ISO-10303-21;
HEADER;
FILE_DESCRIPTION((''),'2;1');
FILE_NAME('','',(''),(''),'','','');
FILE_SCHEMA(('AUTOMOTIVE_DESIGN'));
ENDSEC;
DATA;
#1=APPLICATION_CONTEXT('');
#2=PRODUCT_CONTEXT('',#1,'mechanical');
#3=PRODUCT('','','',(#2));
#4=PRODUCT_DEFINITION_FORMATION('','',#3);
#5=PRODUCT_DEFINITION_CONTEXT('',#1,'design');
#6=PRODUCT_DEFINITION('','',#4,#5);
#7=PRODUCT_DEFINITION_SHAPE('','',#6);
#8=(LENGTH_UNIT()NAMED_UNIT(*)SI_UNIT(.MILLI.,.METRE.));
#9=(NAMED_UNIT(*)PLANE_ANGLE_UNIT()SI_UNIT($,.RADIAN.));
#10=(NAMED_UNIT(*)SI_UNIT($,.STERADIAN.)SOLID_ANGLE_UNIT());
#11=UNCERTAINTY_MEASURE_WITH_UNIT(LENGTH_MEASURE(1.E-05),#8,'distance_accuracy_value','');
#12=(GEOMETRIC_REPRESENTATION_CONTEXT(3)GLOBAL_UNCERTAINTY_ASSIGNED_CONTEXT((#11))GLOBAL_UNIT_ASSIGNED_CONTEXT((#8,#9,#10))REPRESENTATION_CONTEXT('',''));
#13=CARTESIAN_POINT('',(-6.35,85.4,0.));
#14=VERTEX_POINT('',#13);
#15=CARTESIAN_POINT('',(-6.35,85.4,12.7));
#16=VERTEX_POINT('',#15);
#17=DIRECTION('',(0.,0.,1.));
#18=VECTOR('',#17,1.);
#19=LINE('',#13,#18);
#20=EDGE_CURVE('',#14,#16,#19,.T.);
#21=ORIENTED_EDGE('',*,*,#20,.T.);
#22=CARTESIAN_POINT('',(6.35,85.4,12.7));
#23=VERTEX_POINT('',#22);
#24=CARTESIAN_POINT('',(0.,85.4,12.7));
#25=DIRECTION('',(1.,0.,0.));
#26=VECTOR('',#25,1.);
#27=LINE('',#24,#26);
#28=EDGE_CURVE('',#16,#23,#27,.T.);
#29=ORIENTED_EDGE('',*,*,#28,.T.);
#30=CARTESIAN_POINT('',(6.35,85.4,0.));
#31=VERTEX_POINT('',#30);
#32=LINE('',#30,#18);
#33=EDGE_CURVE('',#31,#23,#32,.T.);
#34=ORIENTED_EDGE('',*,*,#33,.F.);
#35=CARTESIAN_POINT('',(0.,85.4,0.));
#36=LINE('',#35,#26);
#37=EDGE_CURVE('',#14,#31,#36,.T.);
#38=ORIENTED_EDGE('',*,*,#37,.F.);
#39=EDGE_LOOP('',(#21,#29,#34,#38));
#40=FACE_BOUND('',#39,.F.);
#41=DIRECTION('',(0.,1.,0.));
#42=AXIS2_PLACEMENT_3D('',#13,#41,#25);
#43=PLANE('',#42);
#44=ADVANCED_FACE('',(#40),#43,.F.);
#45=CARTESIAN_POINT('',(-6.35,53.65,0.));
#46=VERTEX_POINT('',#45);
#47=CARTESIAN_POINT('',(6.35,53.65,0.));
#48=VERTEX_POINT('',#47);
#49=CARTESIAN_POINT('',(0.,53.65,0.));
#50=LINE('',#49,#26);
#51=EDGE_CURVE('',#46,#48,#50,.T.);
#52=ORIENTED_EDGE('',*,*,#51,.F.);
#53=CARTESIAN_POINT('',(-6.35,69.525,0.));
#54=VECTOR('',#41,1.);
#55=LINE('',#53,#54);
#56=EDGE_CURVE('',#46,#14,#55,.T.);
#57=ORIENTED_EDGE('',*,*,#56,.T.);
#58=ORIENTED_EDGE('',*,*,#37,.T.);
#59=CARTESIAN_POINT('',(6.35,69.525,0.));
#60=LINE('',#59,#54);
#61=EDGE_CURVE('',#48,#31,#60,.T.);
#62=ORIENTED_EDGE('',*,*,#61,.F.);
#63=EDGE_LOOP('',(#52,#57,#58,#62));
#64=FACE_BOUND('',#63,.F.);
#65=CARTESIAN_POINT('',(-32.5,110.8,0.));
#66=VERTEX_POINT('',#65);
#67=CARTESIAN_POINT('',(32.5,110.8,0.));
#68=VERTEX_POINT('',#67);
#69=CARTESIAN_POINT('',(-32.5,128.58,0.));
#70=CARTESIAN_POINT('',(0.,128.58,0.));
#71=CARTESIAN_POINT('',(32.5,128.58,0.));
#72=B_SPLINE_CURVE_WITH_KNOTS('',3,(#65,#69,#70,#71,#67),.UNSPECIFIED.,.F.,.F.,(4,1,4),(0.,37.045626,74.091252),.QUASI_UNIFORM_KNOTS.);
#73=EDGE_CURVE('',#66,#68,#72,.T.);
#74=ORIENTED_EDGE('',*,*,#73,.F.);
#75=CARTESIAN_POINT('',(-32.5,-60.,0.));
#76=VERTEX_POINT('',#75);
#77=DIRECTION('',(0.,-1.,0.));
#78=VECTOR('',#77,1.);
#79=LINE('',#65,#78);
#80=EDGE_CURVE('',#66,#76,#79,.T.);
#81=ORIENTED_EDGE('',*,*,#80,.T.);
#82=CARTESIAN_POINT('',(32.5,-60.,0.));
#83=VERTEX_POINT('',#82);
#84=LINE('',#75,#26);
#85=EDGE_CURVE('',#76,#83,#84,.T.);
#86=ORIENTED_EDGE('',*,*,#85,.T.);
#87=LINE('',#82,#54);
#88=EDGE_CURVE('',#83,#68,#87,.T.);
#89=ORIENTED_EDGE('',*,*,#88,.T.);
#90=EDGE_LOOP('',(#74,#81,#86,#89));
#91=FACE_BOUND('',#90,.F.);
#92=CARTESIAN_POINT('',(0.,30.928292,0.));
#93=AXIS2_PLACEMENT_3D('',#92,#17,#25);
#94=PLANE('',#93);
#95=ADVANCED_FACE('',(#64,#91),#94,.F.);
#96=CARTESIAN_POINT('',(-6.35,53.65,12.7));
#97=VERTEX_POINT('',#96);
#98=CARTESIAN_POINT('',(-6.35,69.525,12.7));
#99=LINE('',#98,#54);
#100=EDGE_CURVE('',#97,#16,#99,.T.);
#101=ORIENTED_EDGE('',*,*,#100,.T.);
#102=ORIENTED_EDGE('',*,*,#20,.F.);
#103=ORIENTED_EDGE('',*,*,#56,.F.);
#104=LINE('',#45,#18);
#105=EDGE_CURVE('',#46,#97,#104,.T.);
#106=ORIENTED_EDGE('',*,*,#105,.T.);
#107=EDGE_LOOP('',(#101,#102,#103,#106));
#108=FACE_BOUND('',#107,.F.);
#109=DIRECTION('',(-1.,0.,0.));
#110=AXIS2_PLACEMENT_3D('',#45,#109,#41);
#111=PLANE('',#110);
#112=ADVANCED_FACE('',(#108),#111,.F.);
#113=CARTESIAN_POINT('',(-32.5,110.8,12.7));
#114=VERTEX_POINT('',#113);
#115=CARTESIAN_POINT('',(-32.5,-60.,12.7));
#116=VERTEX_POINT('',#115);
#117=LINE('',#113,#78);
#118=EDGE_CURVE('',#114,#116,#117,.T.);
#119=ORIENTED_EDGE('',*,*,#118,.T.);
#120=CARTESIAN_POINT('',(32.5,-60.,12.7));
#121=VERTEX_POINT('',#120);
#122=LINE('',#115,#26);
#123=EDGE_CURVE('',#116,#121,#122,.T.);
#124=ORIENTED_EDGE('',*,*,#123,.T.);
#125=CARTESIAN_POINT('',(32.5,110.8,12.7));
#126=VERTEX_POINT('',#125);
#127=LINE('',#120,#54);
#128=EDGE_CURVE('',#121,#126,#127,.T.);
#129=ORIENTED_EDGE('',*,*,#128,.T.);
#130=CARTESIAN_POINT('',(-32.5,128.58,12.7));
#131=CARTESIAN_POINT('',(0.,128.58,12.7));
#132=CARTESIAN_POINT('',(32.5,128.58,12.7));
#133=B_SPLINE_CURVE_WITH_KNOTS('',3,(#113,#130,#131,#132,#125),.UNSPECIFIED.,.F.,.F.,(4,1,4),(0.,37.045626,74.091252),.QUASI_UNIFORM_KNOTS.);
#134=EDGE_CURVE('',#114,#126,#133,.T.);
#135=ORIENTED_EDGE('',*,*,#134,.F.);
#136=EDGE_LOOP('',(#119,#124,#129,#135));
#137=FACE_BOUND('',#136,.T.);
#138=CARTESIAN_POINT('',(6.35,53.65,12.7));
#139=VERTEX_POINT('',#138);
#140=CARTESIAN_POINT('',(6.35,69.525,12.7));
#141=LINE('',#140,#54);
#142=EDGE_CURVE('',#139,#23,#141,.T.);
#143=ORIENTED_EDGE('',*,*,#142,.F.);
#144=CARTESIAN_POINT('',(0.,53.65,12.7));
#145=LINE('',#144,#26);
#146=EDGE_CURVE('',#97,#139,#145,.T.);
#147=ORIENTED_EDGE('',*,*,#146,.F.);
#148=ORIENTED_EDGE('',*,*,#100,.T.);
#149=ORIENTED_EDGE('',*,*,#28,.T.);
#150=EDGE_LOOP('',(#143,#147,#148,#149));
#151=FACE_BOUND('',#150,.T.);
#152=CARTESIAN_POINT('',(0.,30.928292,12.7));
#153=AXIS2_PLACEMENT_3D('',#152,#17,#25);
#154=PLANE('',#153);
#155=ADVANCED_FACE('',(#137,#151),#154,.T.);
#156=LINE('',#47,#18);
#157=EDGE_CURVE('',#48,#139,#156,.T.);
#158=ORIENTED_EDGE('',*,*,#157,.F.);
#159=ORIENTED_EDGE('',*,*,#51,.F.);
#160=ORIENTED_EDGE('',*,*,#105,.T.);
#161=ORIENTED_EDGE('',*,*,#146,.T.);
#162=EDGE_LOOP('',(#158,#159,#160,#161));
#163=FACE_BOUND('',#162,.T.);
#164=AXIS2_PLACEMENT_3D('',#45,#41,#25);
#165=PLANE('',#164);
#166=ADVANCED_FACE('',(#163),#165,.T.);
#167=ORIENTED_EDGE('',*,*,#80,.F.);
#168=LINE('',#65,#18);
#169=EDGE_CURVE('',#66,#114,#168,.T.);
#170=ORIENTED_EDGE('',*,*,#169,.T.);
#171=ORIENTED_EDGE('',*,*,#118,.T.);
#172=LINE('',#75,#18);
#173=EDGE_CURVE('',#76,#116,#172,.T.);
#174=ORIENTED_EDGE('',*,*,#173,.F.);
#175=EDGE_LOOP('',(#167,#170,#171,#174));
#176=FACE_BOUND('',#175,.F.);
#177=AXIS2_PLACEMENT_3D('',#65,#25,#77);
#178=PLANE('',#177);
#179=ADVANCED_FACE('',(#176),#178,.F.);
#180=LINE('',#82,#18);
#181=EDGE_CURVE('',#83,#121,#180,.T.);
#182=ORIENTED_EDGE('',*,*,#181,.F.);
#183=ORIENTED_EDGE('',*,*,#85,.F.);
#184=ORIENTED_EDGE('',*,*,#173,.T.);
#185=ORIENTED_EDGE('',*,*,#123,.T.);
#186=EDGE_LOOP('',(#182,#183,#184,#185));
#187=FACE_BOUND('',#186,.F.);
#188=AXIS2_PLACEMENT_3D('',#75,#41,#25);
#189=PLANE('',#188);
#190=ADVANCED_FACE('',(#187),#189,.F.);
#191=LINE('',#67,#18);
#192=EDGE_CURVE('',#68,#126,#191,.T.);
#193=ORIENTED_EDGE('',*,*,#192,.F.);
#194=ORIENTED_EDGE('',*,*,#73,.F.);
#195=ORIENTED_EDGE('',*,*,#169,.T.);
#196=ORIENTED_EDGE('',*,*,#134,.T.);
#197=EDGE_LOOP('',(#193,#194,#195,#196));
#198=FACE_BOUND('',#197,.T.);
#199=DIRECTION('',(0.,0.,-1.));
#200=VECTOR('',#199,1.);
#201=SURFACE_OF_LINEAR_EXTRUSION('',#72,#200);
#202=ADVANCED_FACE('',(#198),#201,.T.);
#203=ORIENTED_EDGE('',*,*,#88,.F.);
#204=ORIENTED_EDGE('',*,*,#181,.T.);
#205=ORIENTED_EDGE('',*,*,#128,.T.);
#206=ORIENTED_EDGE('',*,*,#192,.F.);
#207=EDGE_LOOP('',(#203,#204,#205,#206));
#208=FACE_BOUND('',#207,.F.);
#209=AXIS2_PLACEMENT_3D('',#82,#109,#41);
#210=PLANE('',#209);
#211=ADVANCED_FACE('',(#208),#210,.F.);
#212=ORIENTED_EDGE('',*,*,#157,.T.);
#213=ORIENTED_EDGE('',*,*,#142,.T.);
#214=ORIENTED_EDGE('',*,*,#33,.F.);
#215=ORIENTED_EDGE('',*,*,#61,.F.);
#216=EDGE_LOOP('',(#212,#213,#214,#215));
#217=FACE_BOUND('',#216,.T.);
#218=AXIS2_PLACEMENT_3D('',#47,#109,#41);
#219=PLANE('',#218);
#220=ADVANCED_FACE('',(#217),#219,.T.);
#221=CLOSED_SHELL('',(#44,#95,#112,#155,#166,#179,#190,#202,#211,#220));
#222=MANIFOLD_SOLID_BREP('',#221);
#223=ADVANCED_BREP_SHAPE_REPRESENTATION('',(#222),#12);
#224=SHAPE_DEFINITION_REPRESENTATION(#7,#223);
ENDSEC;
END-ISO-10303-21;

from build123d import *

# Parameters (mm, degrees)
F0_W     = 12.7
F0_H     = 31.75
F1_DEPTH = 12.7


with BuildPart() as f1:
    # F0 (on Top) → F1 (new body)
    with BuildSketch(Plane.XY):
        with BuildLine():
            Line((-32.5, 60), (-32.5, -60))
            Line((-32.5, -60), (32.5, -60))
            Line((32.5, -60), (32.5, 60))
            Line((32.5, 60), (32.5, 110.8))
            add(Edge.make_bspline(
                [(-32.5, 110.8), (-32.5, 128.58), (0, 128.58), (32.5, 128.58), (32.5, 110.8)],
                knots=[0, 0, 0, 0, 37.045626, 74.091252, 74.091252, 74.091252, 74.091252], degree=3))
            Line((-32.5, 110.8), (-32.5, 60))
        make_face()
        with Locations((0, 69.525)):
            Rectangle(F0_W, F0_H, mode=Mode.SUBTRACT)
    extrude(amount=F1_DEPTH)


solid = f1.part
